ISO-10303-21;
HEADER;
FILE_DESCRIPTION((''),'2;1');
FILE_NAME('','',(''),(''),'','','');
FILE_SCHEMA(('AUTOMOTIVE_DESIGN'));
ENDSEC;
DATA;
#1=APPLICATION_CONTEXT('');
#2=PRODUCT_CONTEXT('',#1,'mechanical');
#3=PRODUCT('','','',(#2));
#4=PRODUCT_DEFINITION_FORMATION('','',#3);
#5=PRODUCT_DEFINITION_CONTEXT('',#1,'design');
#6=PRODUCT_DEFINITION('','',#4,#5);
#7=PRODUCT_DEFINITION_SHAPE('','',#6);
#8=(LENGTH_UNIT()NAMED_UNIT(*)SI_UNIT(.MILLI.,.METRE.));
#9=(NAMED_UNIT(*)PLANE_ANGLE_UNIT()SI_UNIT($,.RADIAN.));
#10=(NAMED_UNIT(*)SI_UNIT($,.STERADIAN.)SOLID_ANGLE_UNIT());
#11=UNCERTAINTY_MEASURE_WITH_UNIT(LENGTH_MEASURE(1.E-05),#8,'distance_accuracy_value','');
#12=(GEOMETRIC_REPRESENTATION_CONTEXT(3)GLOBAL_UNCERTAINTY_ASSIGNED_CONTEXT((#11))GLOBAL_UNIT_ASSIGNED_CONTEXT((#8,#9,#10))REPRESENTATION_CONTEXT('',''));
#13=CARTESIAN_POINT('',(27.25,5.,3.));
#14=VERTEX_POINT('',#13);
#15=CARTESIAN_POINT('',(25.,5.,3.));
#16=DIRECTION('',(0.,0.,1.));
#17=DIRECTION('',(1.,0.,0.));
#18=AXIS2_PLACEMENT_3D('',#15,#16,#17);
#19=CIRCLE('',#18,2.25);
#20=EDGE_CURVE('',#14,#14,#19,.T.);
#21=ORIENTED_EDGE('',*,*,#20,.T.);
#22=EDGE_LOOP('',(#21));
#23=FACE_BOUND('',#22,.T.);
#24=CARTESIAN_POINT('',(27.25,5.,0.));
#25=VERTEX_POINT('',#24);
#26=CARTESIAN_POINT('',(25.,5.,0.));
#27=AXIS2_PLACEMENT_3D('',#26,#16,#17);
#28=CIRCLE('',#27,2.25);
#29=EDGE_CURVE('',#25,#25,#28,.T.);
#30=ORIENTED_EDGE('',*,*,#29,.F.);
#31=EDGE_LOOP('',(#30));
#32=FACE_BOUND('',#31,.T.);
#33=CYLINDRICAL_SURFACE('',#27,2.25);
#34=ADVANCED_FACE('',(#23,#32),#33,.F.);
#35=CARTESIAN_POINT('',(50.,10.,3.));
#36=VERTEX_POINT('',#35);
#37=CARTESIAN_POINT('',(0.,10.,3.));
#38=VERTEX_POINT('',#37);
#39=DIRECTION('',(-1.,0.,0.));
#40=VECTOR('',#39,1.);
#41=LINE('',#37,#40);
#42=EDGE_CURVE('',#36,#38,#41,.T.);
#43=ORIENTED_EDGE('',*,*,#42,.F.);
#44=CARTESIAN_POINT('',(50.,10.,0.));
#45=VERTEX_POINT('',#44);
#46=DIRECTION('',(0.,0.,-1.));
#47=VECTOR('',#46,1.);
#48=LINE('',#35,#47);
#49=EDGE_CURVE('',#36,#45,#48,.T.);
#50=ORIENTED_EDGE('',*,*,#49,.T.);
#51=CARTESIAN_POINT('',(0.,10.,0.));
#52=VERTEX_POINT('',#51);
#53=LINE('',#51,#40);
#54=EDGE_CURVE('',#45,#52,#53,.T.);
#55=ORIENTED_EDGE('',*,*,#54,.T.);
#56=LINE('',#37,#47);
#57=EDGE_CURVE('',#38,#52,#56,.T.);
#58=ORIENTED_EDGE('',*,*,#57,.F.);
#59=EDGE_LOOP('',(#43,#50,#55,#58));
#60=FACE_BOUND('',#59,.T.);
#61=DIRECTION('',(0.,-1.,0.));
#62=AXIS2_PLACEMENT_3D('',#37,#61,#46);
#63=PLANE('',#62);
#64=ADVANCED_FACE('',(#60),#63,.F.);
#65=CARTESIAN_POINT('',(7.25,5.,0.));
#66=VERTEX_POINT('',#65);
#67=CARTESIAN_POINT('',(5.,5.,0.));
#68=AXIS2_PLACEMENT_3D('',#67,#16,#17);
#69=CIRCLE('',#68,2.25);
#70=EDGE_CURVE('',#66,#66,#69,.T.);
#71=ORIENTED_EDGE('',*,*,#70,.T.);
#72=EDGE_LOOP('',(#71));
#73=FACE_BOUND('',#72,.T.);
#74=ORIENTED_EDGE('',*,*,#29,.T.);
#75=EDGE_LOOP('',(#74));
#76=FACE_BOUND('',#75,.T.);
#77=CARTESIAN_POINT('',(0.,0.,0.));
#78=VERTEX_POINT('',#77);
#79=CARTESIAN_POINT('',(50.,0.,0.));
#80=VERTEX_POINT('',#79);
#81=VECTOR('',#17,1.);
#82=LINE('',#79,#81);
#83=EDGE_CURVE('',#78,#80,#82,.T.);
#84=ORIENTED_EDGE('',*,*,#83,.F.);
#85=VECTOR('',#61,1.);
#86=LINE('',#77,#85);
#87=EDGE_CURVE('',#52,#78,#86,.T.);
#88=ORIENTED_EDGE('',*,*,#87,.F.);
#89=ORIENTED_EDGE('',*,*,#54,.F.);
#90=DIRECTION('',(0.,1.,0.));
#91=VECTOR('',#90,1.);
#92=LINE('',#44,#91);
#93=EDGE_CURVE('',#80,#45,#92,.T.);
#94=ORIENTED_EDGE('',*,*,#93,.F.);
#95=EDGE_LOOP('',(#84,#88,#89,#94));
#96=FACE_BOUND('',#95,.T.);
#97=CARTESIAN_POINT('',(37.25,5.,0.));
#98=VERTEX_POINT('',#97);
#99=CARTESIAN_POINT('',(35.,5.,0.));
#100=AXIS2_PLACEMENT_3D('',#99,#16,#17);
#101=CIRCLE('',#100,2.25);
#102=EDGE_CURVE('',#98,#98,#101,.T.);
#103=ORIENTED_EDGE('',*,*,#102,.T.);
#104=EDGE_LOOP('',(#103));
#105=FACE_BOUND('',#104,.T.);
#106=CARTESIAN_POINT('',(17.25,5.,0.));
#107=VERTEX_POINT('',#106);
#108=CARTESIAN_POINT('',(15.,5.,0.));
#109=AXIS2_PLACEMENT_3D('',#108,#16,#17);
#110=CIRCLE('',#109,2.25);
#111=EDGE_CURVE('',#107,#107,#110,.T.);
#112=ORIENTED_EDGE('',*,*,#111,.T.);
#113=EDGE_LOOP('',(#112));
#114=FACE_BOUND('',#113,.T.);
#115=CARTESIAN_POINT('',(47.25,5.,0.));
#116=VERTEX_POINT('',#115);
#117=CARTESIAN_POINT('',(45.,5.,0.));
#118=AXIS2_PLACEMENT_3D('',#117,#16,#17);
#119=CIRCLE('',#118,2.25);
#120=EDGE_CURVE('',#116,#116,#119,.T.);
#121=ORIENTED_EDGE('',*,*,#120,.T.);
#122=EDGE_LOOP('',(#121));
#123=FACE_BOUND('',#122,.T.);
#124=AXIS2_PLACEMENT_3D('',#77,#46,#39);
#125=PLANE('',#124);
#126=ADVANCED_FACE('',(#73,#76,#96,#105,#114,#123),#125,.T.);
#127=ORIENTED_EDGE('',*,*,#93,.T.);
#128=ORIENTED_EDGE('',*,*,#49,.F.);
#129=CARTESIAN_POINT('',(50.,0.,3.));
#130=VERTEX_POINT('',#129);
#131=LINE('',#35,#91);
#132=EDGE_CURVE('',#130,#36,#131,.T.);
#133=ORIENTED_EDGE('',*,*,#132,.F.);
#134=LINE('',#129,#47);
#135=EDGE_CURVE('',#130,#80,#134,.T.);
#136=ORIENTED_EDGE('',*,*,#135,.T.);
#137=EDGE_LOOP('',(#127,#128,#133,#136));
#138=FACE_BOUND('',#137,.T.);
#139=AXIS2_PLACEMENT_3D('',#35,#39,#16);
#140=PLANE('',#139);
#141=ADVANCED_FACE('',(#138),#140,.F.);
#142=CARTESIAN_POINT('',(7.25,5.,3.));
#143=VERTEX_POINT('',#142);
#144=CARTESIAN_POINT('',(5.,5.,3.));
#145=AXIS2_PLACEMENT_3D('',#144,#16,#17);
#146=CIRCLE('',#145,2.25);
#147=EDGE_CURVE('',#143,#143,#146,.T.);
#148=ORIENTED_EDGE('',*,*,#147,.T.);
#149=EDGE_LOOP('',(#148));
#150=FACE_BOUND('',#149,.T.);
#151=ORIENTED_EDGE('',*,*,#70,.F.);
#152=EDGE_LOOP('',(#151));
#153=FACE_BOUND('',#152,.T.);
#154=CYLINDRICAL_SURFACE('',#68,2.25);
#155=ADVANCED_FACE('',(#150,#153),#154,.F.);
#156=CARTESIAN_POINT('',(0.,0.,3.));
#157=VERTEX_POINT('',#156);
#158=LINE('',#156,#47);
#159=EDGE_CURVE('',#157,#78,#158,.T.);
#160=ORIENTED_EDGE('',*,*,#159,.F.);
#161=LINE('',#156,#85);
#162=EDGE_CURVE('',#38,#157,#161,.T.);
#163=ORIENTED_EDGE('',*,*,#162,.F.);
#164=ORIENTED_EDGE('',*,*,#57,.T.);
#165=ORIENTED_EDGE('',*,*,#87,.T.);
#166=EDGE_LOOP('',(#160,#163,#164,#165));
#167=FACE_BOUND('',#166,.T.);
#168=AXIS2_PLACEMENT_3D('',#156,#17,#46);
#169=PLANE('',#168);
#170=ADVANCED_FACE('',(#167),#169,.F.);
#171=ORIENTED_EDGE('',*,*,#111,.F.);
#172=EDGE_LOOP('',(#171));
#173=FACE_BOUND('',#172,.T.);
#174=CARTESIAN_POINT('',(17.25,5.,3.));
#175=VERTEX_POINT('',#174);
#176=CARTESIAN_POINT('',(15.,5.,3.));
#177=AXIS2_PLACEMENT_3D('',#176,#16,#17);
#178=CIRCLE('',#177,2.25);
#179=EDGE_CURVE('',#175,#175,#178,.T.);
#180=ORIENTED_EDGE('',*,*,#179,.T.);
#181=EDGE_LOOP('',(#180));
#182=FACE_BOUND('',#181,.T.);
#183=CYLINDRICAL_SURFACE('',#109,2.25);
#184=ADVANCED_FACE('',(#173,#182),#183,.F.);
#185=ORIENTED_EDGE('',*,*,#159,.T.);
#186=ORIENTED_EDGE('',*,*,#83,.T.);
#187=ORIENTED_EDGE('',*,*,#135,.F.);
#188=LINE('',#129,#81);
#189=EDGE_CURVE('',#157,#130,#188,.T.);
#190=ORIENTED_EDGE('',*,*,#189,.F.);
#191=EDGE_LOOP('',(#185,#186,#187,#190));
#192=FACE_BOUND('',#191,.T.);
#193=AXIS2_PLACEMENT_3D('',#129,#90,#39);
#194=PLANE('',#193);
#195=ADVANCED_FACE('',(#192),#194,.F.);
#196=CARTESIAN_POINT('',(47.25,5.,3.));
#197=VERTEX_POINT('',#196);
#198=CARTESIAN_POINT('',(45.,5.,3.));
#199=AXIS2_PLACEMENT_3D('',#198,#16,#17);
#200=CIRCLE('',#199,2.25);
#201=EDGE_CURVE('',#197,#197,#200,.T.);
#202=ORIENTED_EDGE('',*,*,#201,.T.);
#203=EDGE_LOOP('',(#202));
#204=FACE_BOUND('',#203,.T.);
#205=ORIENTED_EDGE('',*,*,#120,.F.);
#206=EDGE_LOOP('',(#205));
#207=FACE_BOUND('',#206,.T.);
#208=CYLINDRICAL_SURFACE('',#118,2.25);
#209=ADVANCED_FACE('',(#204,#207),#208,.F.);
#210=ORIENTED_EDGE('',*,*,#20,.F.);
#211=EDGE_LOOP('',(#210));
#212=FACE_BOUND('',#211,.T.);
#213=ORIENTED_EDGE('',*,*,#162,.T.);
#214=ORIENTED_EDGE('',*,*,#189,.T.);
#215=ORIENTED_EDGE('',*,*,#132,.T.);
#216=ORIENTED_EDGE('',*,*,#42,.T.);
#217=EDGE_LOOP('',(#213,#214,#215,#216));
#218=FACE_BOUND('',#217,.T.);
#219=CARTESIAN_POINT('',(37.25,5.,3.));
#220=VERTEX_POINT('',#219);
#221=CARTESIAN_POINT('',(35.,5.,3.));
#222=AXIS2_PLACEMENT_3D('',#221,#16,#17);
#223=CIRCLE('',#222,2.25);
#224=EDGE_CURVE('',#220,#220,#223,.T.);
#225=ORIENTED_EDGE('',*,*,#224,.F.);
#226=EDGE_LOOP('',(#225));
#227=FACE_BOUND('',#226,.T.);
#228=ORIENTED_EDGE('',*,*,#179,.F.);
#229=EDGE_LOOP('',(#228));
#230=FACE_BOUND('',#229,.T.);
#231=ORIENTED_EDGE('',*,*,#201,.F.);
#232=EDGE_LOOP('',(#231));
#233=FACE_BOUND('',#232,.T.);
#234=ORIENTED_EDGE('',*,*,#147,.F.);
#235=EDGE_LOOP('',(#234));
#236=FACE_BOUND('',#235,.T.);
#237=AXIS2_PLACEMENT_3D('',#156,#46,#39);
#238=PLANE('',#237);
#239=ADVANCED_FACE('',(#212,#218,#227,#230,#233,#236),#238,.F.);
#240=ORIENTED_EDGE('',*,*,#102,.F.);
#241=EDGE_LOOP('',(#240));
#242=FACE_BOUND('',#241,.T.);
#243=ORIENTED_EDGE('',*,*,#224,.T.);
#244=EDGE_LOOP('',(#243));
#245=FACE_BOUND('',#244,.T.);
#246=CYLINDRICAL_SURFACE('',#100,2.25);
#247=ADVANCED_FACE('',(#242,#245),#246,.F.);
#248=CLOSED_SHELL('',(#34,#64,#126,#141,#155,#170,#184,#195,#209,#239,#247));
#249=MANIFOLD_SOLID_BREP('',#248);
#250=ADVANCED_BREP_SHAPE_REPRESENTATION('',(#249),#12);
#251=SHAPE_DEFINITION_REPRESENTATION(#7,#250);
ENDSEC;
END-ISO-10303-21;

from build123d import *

# Parameters (mm, degrees)
CROQUIS1_W              = 50
CROQUIS1_H              = 10
SALIENTE_EXTRUIR1_DEPTH = 3
CROQUIS2_R              = 2.25
CORTAR_EXTRUIR1_DEPTH   = 52.078371156


with BuildPart() as part:
    # Croquis1 → Saliente-Extruir1 (new body)
    with BuildSketch(Plane.XY):
        with Locations((25, 5)):
            Rectangle(CROQUIS1_W, CROQUIS1_H)
    extrude(amount=SALIENTE_EXTRUIR1_DEPTH)

    # Croquis2 → Cortar-Extruir1 (cut, through all)
    with BuildSketch(Plane.XY.offset(3)):
        with Locations((5, 5)):
            Circle(CROQUIS2_R)
        with Locations((15, 5)):
            Circle(CROQUIS2_R)
        with Locations((25, 5)):
            Circle(CROQUIS2_R)
        with Locations((35, 5)):
            Circle(CROQUIS2_R)
        with Locations((45, 5)):
            Circle(CROQUIS2_R)
    extrude(amount=-CORTAR_EXTRUIR1_DEPTH, mode=Mode.SUBTRACT)


solid = part.part
